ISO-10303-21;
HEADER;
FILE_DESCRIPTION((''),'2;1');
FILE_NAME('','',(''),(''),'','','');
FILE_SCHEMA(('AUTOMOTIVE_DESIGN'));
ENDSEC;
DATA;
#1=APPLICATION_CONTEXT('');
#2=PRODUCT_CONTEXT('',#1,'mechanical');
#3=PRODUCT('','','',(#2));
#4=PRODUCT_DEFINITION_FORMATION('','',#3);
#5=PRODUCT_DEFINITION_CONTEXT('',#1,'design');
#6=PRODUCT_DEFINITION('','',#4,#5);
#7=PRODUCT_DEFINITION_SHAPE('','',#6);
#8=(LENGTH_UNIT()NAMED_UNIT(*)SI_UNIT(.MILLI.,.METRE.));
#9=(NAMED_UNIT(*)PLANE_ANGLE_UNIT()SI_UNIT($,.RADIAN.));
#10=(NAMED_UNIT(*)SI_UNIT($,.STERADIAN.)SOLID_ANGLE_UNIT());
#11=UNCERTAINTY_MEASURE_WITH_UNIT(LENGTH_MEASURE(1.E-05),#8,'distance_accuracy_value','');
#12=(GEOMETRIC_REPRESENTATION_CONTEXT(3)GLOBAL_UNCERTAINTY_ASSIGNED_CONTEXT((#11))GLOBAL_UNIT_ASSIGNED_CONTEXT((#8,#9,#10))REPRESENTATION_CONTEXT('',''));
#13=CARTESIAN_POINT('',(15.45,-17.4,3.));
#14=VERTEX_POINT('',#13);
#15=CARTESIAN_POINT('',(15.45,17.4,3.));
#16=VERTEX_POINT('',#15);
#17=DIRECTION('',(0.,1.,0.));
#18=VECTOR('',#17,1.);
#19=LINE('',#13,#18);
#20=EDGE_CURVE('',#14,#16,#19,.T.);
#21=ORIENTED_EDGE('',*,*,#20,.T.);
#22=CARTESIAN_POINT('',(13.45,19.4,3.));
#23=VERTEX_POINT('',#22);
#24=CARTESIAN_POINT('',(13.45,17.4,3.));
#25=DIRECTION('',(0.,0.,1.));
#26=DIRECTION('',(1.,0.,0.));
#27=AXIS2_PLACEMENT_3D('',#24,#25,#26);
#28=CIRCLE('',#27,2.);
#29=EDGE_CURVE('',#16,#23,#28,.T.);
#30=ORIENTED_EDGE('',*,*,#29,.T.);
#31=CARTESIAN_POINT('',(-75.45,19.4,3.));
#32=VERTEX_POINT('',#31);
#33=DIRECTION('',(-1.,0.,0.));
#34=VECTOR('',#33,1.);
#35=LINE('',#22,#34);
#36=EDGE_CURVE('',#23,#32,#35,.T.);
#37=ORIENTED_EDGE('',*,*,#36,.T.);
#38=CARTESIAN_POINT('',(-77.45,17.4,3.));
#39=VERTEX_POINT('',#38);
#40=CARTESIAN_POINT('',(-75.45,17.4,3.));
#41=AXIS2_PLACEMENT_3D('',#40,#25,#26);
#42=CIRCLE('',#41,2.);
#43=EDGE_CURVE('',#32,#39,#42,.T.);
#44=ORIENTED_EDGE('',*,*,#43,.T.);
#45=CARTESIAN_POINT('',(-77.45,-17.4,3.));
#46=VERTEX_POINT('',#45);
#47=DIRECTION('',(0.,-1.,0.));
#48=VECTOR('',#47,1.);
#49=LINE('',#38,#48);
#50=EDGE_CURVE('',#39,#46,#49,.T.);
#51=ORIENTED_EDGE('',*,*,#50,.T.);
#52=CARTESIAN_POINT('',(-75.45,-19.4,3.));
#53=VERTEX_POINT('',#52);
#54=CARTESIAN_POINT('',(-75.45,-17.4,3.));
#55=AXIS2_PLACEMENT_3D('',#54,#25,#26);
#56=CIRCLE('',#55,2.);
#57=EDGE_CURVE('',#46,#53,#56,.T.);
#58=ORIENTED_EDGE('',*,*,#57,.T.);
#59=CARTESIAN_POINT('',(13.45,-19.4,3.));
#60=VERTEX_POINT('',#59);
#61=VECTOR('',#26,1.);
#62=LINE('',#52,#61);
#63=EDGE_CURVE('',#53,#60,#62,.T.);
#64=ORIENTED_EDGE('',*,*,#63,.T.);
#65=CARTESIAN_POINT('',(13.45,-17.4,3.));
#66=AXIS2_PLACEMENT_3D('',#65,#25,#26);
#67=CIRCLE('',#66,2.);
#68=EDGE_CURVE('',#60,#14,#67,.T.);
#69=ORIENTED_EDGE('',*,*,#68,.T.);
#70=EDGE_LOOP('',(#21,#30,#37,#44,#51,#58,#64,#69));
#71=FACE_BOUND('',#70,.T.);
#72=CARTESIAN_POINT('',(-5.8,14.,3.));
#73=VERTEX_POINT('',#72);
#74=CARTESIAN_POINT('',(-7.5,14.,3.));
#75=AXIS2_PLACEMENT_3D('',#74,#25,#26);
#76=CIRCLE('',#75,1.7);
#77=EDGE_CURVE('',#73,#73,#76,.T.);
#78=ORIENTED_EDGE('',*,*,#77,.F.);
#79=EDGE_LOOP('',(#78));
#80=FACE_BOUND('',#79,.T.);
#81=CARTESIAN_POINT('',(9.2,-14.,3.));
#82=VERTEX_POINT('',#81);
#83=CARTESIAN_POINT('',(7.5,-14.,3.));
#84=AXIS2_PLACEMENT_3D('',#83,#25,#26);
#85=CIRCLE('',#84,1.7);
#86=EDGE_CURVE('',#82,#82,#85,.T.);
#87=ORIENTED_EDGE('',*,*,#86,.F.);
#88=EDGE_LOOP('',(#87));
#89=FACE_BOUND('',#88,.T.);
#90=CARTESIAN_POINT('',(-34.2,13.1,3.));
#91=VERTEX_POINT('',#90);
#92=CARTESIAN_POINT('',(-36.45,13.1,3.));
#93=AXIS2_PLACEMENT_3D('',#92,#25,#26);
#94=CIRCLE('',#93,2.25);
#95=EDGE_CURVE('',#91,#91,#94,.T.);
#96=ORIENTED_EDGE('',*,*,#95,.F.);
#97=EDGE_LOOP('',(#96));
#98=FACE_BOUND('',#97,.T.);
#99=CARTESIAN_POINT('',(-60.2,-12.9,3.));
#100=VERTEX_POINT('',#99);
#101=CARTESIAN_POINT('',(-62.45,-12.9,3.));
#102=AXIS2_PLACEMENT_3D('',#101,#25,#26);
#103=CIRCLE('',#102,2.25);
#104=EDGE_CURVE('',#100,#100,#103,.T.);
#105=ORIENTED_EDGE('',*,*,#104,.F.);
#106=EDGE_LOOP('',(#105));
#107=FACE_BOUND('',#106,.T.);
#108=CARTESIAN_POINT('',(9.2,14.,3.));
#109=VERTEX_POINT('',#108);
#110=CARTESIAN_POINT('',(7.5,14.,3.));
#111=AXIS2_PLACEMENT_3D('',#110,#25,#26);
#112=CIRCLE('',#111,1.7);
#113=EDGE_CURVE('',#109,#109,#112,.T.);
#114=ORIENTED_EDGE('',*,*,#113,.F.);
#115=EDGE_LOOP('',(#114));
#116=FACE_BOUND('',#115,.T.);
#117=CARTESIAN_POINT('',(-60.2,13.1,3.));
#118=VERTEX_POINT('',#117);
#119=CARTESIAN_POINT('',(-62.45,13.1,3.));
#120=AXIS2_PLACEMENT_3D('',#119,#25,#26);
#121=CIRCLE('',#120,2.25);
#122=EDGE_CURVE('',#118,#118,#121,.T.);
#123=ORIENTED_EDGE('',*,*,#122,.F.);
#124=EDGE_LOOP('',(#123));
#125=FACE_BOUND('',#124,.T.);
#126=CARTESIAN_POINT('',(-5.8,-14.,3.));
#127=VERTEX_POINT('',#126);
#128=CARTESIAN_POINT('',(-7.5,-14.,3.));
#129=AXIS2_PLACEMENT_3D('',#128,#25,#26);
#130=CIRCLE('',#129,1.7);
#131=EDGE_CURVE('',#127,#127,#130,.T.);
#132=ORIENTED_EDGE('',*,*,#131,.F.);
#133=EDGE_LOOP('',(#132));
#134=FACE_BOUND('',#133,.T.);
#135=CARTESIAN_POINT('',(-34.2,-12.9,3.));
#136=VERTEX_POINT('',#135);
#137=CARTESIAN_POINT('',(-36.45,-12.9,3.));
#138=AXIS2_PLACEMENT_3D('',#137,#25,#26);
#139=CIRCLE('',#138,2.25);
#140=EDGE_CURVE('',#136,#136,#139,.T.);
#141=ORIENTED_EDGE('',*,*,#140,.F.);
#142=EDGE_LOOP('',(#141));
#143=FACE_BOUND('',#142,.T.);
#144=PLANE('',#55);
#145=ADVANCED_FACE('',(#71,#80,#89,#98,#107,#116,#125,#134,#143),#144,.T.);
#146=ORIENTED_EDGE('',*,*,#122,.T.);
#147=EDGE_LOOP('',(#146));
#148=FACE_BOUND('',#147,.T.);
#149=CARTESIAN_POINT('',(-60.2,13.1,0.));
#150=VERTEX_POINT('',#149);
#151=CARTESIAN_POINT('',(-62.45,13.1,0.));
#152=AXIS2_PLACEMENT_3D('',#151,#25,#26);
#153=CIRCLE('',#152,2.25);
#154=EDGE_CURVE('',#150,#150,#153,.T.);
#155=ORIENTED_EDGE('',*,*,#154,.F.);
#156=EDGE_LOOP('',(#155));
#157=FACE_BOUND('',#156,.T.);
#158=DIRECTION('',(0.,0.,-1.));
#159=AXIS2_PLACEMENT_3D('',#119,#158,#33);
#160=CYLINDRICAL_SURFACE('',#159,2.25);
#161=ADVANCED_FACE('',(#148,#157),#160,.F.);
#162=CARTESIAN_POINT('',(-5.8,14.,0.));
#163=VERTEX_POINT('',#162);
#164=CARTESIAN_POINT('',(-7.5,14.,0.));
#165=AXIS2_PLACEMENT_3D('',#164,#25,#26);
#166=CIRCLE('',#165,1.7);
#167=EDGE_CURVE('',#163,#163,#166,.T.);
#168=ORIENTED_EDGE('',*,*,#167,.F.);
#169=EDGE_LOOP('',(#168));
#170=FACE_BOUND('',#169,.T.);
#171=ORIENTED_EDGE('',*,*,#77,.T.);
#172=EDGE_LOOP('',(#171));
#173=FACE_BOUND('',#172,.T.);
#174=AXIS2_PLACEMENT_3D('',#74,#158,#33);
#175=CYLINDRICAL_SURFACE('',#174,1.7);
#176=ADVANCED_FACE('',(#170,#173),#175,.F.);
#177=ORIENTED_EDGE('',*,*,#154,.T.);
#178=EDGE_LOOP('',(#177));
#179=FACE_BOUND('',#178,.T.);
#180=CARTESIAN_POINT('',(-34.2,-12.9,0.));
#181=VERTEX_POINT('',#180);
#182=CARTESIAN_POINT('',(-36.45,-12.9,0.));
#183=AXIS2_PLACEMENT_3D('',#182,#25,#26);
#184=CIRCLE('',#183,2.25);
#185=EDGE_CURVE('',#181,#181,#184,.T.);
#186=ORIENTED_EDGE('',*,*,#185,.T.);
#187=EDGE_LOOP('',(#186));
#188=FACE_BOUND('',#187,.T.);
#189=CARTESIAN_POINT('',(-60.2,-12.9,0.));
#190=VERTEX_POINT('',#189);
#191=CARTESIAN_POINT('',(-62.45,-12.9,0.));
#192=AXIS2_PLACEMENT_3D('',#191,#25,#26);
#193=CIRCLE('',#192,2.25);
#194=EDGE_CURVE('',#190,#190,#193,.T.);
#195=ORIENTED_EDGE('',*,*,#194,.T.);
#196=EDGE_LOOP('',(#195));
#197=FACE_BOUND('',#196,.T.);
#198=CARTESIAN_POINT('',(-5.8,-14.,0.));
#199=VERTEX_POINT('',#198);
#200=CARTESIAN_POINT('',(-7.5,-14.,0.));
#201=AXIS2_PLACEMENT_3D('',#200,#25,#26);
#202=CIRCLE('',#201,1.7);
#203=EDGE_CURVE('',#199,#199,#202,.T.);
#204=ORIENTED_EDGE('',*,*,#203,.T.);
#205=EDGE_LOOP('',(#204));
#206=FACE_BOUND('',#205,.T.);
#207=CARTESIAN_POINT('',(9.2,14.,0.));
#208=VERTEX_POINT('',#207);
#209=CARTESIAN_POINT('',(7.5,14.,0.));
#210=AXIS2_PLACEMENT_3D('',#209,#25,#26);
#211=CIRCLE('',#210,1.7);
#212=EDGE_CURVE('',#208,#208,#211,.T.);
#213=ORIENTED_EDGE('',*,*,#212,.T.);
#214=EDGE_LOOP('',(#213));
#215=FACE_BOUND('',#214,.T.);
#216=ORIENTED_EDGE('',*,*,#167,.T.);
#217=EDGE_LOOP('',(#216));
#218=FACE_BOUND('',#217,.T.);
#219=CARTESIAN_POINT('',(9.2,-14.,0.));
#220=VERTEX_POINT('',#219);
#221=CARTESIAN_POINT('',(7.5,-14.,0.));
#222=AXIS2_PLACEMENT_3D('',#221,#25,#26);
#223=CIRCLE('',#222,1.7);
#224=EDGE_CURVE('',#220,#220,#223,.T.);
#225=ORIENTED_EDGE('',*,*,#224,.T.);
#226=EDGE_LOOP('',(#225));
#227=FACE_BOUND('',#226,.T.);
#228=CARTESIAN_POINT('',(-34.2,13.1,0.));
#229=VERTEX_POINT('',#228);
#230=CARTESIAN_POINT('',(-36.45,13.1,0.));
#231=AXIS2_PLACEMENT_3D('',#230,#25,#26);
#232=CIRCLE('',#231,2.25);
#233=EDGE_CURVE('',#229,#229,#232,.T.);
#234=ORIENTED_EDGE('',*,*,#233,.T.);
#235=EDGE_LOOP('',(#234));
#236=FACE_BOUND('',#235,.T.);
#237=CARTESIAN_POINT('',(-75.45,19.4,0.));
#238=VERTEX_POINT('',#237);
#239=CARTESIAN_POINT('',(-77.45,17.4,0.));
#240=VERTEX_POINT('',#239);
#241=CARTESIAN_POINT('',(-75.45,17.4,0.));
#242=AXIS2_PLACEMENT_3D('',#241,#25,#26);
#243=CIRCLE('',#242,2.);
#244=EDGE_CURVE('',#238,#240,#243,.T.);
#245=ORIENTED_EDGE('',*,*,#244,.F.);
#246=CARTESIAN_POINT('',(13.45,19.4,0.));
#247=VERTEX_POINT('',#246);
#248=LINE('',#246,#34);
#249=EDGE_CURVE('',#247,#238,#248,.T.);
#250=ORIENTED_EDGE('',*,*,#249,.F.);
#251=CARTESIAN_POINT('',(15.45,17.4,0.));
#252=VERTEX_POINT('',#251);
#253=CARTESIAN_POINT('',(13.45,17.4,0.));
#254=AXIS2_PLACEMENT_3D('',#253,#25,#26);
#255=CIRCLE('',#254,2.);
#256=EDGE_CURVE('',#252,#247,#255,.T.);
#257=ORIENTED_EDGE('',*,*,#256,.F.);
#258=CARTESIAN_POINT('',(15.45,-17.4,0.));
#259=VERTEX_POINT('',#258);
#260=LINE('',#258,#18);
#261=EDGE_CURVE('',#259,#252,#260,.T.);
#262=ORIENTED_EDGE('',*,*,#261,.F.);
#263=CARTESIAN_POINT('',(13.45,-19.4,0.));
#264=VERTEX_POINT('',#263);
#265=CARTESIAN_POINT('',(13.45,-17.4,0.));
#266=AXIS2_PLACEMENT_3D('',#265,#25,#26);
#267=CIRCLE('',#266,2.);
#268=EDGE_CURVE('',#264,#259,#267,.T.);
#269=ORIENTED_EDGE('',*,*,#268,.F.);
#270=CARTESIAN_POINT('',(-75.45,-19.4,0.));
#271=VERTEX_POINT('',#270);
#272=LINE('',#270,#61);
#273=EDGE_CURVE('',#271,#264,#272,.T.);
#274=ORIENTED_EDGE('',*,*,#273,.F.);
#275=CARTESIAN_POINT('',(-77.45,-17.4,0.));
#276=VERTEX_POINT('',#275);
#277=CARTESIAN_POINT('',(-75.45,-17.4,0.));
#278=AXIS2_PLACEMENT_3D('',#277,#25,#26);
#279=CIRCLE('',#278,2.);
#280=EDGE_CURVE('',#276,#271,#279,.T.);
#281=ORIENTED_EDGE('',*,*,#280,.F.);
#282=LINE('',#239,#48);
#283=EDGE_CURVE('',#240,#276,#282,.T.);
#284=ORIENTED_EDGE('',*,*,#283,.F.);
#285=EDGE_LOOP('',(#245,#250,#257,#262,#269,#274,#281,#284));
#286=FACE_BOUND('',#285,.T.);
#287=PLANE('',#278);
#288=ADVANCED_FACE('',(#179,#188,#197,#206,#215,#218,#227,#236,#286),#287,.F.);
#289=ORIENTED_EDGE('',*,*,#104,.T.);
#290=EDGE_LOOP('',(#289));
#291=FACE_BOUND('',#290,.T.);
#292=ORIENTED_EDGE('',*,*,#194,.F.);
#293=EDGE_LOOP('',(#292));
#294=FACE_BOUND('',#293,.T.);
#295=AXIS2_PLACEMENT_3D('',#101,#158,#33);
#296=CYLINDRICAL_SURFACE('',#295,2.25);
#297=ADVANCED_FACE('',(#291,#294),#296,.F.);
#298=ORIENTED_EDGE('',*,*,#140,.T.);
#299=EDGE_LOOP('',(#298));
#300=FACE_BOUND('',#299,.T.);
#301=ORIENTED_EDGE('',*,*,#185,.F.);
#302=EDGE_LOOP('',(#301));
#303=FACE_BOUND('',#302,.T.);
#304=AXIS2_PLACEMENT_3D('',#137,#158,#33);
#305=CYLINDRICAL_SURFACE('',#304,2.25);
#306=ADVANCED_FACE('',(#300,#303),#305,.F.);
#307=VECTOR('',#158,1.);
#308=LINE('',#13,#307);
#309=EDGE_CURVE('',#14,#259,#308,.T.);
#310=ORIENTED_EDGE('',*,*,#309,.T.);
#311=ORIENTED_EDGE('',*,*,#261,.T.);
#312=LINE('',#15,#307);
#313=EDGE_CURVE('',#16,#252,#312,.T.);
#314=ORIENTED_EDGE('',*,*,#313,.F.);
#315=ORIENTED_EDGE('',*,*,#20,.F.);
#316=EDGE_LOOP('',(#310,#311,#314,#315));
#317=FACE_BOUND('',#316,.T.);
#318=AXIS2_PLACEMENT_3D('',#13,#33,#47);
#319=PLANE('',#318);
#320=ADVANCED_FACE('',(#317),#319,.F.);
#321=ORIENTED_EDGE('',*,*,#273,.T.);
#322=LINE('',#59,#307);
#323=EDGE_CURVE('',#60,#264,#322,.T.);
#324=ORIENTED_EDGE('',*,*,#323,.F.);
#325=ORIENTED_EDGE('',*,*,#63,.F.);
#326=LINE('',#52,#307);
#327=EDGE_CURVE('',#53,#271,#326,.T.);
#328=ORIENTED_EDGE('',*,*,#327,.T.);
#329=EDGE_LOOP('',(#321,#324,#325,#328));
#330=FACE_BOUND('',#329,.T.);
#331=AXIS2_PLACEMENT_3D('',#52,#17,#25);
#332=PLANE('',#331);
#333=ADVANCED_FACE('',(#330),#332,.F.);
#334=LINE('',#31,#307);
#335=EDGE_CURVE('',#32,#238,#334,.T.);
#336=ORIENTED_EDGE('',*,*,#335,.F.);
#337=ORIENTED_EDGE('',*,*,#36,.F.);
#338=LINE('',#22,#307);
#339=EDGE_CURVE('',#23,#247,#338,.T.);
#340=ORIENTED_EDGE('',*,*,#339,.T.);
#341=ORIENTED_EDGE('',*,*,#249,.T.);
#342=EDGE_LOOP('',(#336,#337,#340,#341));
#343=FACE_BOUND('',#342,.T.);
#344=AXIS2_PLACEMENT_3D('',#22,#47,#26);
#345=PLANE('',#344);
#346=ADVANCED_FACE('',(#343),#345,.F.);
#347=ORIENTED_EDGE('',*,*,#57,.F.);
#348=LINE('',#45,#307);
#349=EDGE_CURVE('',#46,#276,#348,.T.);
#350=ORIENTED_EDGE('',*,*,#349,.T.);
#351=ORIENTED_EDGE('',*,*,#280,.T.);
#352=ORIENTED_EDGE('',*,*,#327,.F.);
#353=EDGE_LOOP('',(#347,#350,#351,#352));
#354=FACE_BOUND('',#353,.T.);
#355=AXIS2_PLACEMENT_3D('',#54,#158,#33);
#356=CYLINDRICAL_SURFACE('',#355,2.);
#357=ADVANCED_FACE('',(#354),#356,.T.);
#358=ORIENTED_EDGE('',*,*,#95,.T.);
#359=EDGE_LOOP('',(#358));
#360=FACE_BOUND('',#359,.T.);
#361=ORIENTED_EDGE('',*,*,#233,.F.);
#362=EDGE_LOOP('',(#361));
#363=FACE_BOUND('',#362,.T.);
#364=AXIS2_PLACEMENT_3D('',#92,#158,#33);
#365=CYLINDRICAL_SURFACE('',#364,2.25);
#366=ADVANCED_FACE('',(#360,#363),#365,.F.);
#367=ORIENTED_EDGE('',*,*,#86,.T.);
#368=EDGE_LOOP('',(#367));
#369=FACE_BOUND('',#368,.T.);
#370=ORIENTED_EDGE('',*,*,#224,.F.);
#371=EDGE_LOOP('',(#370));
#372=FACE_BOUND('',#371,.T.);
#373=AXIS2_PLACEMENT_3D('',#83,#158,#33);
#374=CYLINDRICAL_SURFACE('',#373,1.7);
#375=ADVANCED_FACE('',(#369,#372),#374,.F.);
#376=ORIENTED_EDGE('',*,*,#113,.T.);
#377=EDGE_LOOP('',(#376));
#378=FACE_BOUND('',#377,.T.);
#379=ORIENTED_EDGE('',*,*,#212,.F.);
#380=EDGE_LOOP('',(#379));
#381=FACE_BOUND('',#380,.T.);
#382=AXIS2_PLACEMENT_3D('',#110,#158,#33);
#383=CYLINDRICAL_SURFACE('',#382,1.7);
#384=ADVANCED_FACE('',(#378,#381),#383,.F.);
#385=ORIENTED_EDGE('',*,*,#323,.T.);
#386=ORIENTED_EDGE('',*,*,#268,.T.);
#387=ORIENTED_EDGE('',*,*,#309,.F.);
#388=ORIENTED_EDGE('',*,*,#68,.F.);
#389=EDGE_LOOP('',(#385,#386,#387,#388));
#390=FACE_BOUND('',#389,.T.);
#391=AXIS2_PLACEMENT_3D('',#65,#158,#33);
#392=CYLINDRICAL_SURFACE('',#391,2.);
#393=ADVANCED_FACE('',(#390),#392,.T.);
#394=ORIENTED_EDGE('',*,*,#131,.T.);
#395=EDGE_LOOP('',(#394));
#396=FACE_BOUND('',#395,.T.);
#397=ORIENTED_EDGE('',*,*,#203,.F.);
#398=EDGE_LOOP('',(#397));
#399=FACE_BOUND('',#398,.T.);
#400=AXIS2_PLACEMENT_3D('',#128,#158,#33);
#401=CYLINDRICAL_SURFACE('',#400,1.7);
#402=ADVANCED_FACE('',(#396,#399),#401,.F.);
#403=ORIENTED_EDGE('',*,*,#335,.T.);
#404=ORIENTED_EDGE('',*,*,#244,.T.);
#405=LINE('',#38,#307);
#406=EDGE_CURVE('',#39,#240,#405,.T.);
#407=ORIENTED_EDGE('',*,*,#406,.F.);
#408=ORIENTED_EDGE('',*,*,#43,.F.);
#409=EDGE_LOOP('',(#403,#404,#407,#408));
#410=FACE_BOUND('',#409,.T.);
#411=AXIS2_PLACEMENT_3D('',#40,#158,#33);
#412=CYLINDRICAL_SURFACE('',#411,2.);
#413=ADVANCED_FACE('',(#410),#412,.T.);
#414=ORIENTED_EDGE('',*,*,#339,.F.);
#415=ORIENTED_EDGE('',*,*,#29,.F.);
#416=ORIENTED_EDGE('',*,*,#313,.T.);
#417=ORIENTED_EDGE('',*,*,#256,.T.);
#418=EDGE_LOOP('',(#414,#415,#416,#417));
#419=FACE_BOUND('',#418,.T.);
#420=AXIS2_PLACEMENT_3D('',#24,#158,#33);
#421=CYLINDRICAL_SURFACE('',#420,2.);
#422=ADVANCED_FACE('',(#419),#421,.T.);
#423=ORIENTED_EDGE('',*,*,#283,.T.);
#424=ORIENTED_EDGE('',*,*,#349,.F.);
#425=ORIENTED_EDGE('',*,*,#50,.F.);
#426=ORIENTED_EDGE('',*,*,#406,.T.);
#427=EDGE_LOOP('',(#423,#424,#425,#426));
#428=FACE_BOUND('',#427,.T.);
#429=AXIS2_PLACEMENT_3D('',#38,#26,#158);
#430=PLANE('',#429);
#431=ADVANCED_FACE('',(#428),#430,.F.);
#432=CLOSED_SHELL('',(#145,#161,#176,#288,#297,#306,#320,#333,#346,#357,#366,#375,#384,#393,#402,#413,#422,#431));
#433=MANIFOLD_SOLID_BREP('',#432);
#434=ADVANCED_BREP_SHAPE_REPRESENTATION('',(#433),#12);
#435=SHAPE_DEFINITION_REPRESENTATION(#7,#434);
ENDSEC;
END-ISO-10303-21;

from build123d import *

# Parameters (mm, degrees)
MODEL_R             = 2.25
MODEL_R_2           = 1.7
BOSS_EXTRUDE1_DEPTH = 3


with BuildPart() as part:
    # Model → Boss-Extrude1 (new body)
    with BuildSketch(Plane.XY):
        with BuildLine():
            Line((-75.45, -19.4), (13.45, -19.4))
            ThreePointArc((13.45, -19.4), (14.864213562, -18.814213562), (15.45, -17.4))
            Line((15.45, -17.4), (15.45, 17.4))
            ThreePointArc((15.45, 17.4), (14.864213562, 18.814213562), (13.45, 19.4))
            Line((13.45, 19.4), (-75.45, 19.4))
            ThreePointArc((-75.45, 19.4), (-76.864213562, 18.814213562), (-77.45, 17.4))
            Line((-77.45, 17.4), (-77.45, -17.4))
            ThreePointArc((-77.45, -17.4), (-76.864213562, -18.814213562), (-75.45, -19.4))
        make_face()
        with Locations((-62.45, 13.1)):
            Circle(MODEL_R, mode=Mode.SUBTRACT)
        with Locations((-36.45, 13.1)):
            Circle(MODEL_R, mode=Mode.SUBTRACT)
        with Locations((-36.45, -12.9)):
            Circle(MODEL_R, mode=Mode.SUBTRACT)
        with Locations((-62.45, -12.9)):
            Circle(MODEL_R, mode=Mode.SUBTRACT)
        with Locations((7.5, 14)):
            Circle(MODEL_R_2, mode=Mode.SUBTRACT)
        with Locations((-7.5, 14)):
            Circle(MODEL_R_2, mode=Mode.SUBTRACT)
        with Locations((-7.5, -14)):
            Circle(MODEL_R_2, mode=Mode.SUBTRACT)
        with Locations((7.5, -14)):
            Circle(MODEL_R_2, mode=Mode.SUBTRACT)
    extrude(amount=BOSS_EXTRUDE1_DEPTH)


solid = part.part
